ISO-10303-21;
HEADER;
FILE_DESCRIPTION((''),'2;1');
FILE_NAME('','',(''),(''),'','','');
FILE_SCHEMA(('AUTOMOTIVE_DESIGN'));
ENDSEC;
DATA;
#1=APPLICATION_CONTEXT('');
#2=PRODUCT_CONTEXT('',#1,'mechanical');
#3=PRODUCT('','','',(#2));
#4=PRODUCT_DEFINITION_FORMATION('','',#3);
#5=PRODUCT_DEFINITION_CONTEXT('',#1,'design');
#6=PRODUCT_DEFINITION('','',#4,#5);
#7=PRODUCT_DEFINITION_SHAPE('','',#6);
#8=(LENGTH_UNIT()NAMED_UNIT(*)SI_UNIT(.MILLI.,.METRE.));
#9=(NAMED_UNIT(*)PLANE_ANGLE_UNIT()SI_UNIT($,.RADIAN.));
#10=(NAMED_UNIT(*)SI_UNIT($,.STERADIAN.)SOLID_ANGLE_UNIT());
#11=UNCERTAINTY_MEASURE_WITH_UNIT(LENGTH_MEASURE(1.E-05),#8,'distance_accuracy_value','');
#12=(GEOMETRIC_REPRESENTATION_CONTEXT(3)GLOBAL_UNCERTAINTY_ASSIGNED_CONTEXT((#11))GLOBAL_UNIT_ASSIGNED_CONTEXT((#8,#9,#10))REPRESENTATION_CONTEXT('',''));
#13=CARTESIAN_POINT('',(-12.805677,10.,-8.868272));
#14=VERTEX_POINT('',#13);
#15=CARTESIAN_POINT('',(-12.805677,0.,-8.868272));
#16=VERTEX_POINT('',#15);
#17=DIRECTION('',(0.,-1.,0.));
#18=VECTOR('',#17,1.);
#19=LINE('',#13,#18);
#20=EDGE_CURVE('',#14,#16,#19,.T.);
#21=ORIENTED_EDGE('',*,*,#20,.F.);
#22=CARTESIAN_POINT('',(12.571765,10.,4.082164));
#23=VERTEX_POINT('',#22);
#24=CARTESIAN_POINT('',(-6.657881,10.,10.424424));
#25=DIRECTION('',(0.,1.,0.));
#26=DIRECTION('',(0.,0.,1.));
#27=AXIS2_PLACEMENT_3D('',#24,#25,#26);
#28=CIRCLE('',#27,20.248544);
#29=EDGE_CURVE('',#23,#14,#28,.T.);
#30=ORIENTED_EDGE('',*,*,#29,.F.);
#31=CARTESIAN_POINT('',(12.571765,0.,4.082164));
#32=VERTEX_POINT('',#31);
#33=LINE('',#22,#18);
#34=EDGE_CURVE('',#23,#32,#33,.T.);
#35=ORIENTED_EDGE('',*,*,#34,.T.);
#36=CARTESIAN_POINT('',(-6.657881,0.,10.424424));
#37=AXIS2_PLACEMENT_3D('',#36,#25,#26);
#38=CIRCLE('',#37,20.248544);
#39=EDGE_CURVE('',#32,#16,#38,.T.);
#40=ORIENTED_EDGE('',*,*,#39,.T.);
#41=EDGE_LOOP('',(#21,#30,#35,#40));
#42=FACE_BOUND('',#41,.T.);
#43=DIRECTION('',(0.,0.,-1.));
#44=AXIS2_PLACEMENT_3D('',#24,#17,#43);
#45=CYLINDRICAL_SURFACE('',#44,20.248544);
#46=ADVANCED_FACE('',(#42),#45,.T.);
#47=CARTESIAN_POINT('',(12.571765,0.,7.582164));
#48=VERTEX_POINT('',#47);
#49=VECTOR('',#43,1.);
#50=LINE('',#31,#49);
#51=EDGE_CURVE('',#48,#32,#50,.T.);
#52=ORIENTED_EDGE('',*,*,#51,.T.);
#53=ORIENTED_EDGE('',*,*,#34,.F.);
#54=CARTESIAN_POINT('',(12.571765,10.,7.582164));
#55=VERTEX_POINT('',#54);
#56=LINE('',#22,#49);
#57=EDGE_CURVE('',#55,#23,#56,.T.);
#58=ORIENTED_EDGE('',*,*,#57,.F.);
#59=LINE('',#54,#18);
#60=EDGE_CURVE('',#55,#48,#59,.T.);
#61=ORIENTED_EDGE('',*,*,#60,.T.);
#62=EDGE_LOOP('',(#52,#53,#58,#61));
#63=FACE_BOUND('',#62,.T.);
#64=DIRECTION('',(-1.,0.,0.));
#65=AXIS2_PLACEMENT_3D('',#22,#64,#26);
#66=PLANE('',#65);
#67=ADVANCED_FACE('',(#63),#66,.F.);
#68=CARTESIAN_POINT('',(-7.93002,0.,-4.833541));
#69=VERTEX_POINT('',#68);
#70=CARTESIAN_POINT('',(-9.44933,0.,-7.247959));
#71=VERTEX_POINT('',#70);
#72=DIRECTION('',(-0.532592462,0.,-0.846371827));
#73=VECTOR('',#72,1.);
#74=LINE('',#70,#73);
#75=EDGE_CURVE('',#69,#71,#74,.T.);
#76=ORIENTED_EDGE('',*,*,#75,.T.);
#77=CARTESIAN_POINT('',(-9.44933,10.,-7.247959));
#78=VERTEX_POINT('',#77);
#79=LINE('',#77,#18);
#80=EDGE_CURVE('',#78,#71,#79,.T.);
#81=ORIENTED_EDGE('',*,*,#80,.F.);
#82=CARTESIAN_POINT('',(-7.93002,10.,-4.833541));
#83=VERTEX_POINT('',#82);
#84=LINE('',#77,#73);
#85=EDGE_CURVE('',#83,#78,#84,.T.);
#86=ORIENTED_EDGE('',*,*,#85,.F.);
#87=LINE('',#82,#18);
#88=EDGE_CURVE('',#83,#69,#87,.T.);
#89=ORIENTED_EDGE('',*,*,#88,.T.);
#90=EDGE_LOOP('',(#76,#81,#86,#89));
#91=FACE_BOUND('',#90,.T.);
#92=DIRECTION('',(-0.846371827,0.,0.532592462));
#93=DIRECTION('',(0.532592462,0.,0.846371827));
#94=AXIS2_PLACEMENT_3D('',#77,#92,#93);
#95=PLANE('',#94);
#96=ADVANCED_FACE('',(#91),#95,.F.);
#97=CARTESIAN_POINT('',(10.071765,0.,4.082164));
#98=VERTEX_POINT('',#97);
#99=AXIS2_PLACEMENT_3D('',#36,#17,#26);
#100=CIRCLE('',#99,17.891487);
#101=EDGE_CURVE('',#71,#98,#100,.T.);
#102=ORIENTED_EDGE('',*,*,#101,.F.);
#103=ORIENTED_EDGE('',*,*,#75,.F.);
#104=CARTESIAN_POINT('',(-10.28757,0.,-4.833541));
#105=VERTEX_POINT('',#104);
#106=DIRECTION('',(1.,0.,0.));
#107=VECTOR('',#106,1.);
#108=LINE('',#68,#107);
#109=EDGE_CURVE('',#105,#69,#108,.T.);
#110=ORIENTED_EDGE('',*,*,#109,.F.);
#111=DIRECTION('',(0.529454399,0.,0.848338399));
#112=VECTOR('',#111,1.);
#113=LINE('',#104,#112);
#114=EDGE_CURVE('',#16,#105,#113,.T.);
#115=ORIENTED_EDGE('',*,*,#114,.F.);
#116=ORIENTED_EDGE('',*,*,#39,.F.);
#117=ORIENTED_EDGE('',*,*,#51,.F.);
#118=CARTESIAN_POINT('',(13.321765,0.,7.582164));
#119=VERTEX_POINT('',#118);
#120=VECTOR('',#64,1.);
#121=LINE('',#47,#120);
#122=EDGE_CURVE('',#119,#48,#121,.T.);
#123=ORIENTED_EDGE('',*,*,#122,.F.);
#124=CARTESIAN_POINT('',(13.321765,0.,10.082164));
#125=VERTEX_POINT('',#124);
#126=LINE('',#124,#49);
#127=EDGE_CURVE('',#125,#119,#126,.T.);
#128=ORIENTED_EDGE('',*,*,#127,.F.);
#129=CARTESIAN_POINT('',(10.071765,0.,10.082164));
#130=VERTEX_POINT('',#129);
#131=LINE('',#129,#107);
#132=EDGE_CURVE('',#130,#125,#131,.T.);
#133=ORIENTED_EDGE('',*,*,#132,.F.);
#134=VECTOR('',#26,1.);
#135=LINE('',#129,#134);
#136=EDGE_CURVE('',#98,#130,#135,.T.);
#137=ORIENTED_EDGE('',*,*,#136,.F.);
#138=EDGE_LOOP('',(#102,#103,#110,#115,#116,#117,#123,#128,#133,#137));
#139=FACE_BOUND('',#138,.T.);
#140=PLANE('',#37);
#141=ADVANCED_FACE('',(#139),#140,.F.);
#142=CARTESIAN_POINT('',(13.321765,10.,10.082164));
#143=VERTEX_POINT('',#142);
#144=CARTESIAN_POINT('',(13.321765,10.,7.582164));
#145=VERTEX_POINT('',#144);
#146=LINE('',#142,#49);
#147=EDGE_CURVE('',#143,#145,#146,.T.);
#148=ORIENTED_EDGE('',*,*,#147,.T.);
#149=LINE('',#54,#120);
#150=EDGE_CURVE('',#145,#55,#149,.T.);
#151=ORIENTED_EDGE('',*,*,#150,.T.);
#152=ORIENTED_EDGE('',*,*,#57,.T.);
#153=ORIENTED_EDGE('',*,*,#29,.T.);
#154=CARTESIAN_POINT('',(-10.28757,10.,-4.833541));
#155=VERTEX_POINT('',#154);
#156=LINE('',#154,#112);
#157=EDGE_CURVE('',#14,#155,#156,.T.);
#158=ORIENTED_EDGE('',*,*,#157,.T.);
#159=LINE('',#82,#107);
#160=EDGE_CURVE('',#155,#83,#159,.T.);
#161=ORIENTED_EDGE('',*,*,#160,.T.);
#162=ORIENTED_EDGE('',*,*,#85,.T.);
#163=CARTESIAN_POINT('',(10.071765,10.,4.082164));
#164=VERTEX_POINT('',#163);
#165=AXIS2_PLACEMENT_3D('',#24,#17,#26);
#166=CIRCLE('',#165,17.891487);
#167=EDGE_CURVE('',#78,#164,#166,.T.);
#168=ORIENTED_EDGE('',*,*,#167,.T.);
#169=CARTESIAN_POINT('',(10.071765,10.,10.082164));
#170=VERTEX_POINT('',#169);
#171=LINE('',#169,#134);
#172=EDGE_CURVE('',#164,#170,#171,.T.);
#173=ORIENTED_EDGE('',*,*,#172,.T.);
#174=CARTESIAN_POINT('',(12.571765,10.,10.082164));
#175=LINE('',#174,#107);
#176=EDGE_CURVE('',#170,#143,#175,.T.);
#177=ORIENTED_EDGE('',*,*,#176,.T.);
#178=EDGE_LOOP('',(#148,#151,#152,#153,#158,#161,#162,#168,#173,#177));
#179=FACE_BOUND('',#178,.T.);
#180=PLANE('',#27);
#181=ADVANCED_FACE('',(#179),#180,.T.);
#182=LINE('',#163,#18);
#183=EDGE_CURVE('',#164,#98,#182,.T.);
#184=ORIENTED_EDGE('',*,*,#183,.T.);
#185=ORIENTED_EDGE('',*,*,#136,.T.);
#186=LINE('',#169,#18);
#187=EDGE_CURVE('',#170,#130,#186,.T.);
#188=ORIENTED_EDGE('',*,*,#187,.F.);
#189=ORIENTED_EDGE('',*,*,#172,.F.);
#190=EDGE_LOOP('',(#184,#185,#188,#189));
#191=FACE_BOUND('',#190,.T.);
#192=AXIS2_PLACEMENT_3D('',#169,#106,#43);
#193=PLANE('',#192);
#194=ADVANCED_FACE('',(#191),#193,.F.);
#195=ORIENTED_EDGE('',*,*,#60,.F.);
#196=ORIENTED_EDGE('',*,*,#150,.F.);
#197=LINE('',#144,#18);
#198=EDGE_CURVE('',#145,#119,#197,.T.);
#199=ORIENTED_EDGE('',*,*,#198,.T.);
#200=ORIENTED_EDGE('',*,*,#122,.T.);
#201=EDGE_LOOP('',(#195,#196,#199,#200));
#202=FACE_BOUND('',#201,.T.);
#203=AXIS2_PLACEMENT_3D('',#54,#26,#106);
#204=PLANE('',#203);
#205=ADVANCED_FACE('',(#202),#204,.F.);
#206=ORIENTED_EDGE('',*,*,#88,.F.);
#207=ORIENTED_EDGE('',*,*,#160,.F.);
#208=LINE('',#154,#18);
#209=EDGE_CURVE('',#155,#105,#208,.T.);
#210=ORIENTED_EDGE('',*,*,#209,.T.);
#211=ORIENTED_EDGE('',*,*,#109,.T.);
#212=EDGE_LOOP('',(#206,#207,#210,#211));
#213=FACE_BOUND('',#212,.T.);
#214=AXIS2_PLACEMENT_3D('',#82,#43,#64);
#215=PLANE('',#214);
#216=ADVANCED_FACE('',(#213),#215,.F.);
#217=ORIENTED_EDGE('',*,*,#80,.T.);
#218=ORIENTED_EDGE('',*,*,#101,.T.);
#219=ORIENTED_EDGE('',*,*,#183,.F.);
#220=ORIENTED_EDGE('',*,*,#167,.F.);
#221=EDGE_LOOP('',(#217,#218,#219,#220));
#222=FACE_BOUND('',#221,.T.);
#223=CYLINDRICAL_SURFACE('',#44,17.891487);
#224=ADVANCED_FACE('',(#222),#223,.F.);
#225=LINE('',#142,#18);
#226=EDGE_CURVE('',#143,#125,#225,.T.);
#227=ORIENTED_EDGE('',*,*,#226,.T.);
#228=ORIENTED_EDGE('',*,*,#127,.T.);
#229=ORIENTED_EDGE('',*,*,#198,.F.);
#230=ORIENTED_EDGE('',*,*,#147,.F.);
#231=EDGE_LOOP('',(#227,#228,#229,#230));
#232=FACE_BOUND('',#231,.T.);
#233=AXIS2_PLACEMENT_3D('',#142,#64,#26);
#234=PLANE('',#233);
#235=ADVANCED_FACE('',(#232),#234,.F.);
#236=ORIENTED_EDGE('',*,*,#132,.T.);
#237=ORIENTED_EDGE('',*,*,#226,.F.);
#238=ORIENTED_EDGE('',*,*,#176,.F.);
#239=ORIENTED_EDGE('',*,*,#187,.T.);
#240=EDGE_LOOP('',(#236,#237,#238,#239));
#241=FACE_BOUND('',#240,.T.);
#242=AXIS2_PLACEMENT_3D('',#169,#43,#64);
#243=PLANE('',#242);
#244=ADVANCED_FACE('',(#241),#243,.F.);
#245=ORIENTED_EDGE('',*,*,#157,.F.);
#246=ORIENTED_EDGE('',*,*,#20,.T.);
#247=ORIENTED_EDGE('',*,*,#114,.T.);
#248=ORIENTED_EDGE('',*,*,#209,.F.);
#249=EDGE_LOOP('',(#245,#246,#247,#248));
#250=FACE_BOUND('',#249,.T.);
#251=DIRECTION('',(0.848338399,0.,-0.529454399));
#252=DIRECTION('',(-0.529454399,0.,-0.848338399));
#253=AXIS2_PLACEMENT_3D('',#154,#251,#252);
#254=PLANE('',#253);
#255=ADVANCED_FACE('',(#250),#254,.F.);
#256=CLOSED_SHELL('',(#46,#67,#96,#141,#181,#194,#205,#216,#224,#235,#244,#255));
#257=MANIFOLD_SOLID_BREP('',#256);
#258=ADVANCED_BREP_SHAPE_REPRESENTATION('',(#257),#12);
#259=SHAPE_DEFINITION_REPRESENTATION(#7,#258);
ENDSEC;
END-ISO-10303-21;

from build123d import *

# Parameters (mm, degrees)
BOSS_EXTRUDE1_DEPTH = 10


with BuildPart() as part:
    # Sketch1 → Boss-Extrude1 (new body)
    with BuildSketch(Plane(origin=(0, 0, 0), x_dir=(1, 0, 0), z_dir=(0, 1, 0))):
        with BuildLine():
            Line((10.071764786, -10.08216391), (10.071764786, -4.08216391))
            ThreePointArc((10.071764786, -4.08216391), (2.323280047, 5.049555768), (-9.449329878, 7.247958729))
            Line((-9.449329878, 7.247958729), (-7.930020486, 4.83354103))
            Line((-7.930020486, 4.83354103), (-10.287570259, 4.83354103))
            Line((-10.287570259, 4.83354103), (-12.805676558, 8.868272387))
            ThreePointArc((-12.805676558, 8.868272387), (2.54603949, 7.611411938), (12.571764786, -4.08216391))
            Line((12.571764786, -4.08216391), (12.571764786, -7.58216391))
            Line((12.571764786, -7.58216391), (13.321764786, -7.58216391))
            Line((13.321764786, -7.58216391), (13.321764786, -10.08216391))
            Line((13.321764786, -10.08216391), (12.571764786, -10.08216391))
            Line((12.571764786, -10.08216391), (10.071764786, -10.08216391))
        make_face()
    extrude(amount=BOSS_EXTRUDE1_DEPTH)


solid = part.part
